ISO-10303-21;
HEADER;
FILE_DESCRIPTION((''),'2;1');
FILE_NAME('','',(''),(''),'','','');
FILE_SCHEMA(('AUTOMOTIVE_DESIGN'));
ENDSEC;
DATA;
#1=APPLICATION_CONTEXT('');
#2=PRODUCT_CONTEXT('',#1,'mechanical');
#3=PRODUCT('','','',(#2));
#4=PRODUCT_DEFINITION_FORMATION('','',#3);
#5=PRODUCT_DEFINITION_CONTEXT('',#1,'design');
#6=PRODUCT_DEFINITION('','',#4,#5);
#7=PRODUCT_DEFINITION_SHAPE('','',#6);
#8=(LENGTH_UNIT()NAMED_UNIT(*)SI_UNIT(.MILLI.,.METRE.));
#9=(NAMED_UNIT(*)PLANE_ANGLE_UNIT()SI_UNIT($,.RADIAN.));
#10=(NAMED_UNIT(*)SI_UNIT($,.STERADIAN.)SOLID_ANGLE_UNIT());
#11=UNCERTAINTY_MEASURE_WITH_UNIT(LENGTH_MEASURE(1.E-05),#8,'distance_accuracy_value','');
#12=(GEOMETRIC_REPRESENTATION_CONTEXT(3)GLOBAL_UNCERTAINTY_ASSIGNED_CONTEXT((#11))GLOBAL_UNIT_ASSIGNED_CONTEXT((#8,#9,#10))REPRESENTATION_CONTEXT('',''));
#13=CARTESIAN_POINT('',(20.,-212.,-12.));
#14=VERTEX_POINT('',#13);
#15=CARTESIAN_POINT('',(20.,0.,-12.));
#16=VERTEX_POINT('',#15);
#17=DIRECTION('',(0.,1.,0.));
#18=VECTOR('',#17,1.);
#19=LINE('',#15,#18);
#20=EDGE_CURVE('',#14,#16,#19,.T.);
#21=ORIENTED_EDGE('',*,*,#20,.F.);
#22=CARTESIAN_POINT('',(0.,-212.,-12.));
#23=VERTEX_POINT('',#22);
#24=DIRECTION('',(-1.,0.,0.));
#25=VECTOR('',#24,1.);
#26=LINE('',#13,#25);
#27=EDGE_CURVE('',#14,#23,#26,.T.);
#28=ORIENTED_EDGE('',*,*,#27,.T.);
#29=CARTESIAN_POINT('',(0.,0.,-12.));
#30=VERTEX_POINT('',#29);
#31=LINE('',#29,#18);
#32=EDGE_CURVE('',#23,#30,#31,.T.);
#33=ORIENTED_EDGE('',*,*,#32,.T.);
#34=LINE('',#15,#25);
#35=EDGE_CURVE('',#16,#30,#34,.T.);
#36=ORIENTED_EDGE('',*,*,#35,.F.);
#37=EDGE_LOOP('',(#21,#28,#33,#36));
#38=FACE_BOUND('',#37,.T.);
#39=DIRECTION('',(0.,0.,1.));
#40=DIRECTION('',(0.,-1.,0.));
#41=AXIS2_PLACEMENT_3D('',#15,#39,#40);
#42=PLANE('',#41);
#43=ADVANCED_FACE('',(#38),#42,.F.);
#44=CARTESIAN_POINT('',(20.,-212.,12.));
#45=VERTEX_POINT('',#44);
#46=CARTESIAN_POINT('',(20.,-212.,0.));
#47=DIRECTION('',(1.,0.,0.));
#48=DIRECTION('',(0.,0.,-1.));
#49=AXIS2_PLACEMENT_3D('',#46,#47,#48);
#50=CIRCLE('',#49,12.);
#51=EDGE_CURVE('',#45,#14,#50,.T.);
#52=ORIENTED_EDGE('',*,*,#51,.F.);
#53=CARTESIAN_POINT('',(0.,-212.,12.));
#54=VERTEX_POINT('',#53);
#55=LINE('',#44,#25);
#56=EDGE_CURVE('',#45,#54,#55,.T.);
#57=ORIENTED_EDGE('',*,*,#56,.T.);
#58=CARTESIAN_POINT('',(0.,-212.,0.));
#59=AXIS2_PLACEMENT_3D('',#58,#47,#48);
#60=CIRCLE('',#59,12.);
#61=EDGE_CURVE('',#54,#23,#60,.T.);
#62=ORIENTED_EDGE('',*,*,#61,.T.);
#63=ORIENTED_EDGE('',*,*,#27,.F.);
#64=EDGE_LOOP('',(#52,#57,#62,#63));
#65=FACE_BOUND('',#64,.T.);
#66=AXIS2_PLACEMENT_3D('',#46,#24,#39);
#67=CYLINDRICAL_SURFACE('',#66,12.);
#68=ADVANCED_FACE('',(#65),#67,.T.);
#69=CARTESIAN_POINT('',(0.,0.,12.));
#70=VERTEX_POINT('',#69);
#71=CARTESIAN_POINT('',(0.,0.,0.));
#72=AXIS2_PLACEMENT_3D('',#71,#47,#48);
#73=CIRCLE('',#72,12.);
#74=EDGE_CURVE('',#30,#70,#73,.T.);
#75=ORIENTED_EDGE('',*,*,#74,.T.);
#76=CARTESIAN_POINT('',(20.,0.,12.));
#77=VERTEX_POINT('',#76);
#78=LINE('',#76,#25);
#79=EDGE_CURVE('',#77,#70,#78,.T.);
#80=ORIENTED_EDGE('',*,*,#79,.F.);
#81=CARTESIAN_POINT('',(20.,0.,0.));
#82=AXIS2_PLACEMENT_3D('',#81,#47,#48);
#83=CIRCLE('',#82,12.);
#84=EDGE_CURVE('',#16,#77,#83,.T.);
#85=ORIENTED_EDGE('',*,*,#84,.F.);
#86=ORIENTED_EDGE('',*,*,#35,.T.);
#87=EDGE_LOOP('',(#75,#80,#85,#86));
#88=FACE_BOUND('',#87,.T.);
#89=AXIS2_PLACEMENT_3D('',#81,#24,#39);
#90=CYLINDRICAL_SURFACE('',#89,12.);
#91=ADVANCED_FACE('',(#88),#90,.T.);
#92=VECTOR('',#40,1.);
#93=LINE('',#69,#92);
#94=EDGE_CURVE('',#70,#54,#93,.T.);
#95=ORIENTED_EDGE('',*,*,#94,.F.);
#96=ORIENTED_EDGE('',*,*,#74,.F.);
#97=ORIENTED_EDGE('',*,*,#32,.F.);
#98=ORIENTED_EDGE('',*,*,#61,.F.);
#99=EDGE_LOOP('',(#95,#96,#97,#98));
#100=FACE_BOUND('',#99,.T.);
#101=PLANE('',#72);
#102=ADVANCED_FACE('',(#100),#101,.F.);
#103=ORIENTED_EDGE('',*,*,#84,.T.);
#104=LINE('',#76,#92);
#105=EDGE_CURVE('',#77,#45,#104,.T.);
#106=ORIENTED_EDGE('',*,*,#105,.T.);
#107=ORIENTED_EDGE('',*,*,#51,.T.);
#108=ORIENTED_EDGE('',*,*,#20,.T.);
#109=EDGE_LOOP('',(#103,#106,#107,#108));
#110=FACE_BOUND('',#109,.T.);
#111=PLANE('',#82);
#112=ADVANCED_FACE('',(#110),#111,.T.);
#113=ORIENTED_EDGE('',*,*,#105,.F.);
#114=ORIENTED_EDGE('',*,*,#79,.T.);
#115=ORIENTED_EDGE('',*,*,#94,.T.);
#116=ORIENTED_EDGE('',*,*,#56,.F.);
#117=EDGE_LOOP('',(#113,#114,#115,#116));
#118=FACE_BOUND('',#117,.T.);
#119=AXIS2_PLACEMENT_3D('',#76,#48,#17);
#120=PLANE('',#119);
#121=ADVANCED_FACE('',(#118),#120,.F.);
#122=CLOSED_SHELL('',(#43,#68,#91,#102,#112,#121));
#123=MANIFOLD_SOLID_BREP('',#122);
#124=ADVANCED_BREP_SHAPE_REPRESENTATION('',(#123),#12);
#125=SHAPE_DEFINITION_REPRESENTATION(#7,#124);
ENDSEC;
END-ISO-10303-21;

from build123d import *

# Parameters (mm, degrees)
EXTRUDE_1_DEPTH = 20


with BuildPart() as part:
    # 草图1 → 凸台-拉伸1 (new body)
    with BuildSketch(Plane(origin=(0, 0, 0), x_dir=(0, 0, -1), z_dir=(1, 0, 0))):
        with BuildLine():
            Line((12, 0), (12, -212))
            ThreePointArc((12, -212), (0, -224), (-12, -212))
            Line((-12, -212), (-12, 0))
            ThreePointArc((-12, 0), (0, 12), (12, 0))
        make_face()
    extrude(amount=EXTRUDE_1_DEPTH)


solid = part.part
